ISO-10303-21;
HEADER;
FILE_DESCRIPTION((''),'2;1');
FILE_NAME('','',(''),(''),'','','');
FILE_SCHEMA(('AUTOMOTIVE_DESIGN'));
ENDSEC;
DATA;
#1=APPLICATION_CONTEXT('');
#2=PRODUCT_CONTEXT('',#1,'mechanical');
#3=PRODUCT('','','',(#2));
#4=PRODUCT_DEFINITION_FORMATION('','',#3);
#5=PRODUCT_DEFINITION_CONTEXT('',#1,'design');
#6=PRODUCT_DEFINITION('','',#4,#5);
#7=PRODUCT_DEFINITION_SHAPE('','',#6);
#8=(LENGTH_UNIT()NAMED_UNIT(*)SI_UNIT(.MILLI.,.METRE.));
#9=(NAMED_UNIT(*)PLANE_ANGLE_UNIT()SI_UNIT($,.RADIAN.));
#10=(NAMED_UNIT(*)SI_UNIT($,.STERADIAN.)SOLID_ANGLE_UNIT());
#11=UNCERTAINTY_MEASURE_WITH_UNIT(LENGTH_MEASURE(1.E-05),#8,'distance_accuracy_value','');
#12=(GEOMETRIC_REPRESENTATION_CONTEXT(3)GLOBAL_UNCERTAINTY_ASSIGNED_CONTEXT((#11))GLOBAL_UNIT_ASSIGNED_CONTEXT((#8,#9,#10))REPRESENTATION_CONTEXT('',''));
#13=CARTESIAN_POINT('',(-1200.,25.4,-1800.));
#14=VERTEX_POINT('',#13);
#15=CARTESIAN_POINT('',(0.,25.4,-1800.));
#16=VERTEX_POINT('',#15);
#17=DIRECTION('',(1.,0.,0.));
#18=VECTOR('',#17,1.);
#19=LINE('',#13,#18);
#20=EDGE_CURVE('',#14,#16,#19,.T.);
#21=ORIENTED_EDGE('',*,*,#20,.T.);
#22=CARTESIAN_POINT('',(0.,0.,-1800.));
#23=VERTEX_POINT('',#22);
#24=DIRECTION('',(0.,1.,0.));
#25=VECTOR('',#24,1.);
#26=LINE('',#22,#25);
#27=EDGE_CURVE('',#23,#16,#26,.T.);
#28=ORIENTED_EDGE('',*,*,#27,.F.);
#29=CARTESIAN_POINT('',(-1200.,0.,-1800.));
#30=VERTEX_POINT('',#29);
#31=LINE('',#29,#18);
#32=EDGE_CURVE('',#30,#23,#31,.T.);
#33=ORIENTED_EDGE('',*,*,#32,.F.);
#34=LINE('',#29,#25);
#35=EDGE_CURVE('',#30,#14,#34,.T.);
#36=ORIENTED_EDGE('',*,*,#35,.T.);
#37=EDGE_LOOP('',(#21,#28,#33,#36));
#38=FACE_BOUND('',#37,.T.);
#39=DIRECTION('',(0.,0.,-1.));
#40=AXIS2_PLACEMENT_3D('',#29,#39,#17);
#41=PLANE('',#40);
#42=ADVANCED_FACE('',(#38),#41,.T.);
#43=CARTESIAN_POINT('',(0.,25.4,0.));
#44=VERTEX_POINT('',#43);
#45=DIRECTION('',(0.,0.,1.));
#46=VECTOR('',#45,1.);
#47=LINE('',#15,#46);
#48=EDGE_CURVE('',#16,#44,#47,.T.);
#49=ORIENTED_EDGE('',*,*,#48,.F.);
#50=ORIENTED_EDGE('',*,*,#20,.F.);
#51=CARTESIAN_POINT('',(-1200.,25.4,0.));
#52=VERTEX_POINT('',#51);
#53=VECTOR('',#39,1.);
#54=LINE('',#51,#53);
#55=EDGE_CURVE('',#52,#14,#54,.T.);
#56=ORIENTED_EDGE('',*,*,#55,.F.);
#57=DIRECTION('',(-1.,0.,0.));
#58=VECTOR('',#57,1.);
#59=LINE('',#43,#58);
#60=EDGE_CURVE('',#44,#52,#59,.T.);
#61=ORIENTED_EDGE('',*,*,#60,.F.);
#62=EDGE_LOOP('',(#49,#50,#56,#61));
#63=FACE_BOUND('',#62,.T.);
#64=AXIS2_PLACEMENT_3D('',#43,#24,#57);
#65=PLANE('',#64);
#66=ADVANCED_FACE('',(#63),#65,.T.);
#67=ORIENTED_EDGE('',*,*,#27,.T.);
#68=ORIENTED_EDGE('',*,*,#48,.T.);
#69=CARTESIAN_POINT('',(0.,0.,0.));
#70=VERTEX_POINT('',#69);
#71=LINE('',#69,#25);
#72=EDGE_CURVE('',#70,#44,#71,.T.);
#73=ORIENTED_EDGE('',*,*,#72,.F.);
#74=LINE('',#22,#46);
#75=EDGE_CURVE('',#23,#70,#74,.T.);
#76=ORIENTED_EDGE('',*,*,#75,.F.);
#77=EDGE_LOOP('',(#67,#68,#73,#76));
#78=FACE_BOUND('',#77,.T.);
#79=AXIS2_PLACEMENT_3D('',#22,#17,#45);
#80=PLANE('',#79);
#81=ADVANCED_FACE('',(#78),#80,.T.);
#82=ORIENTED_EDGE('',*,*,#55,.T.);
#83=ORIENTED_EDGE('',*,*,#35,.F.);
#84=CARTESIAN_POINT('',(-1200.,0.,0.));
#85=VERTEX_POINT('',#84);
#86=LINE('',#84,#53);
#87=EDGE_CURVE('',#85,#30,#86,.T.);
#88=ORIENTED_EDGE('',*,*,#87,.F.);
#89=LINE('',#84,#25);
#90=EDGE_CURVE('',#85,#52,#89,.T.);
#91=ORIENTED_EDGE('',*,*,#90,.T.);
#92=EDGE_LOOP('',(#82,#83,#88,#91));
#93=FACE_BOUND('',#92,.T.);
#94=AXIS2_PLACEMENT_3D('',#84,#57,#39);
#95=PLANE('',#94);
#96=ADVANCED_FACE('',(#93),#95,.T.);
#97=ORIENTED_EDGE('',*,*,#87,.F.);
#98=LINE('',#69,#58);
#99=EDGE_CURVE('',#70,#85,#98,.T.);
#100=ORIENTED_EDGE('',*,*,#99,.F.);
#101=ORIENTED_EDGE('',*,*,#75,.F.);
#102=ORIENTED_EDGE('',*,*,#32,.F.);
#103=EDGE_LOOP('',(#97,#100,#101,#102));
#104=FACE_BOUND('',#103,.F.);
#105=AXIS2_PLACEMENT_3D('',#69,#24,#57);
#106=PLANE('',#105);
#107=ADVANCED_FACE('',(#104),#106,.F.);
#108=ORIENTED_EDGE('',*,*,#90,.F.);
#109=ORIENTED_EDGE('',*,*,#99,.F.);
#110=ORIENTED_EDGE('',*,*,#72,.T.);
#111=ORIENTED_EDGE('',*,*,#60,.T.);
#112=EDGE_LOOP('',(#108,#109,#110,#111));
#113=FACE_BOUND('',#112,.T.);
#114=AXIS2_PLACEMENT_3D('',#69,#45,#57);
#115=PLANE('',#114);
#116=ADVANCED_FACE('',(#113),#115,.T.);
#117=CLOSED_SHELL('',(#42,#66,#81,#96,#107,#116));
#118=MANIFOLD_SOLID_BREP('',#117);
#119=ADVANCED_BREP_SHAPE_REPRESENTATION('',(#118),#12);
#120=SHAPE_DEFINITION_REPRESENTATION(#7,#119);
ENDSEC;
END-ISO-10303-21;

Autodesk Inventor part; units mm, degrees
ref_plane "YZ Plane" through (0, 0, 0) normal (1, 0, 0) x (0, 1, 0)
ref_plane "XZ Plane" through (0, 0, 0) normal (0, 1, 0) x (-1, 0, 0)
ref_plane "XY Plane" through (0, 0, 0) normal (0, 0, 1) x (1, 0, 0)
sketch "Sketch2" plane through (0, 0, 0) normal (0, 1, 0) x (-1, 0, 0)
  line L0 (0, 0) -> (1200, 0)
  line L1 (1200, 0) -> (1200, -1800)
  line L2 (1200, -1800) -> (0, -1800)
  line L3 (0, -1800) -> (0, 0)
  dimension "d0" = 1200
  dimension "d1" = 1800
extrude "Extrusion1" add sketch "Sketch2" along normal blind 25.4
properties part number "CeramicTile-180x120"
